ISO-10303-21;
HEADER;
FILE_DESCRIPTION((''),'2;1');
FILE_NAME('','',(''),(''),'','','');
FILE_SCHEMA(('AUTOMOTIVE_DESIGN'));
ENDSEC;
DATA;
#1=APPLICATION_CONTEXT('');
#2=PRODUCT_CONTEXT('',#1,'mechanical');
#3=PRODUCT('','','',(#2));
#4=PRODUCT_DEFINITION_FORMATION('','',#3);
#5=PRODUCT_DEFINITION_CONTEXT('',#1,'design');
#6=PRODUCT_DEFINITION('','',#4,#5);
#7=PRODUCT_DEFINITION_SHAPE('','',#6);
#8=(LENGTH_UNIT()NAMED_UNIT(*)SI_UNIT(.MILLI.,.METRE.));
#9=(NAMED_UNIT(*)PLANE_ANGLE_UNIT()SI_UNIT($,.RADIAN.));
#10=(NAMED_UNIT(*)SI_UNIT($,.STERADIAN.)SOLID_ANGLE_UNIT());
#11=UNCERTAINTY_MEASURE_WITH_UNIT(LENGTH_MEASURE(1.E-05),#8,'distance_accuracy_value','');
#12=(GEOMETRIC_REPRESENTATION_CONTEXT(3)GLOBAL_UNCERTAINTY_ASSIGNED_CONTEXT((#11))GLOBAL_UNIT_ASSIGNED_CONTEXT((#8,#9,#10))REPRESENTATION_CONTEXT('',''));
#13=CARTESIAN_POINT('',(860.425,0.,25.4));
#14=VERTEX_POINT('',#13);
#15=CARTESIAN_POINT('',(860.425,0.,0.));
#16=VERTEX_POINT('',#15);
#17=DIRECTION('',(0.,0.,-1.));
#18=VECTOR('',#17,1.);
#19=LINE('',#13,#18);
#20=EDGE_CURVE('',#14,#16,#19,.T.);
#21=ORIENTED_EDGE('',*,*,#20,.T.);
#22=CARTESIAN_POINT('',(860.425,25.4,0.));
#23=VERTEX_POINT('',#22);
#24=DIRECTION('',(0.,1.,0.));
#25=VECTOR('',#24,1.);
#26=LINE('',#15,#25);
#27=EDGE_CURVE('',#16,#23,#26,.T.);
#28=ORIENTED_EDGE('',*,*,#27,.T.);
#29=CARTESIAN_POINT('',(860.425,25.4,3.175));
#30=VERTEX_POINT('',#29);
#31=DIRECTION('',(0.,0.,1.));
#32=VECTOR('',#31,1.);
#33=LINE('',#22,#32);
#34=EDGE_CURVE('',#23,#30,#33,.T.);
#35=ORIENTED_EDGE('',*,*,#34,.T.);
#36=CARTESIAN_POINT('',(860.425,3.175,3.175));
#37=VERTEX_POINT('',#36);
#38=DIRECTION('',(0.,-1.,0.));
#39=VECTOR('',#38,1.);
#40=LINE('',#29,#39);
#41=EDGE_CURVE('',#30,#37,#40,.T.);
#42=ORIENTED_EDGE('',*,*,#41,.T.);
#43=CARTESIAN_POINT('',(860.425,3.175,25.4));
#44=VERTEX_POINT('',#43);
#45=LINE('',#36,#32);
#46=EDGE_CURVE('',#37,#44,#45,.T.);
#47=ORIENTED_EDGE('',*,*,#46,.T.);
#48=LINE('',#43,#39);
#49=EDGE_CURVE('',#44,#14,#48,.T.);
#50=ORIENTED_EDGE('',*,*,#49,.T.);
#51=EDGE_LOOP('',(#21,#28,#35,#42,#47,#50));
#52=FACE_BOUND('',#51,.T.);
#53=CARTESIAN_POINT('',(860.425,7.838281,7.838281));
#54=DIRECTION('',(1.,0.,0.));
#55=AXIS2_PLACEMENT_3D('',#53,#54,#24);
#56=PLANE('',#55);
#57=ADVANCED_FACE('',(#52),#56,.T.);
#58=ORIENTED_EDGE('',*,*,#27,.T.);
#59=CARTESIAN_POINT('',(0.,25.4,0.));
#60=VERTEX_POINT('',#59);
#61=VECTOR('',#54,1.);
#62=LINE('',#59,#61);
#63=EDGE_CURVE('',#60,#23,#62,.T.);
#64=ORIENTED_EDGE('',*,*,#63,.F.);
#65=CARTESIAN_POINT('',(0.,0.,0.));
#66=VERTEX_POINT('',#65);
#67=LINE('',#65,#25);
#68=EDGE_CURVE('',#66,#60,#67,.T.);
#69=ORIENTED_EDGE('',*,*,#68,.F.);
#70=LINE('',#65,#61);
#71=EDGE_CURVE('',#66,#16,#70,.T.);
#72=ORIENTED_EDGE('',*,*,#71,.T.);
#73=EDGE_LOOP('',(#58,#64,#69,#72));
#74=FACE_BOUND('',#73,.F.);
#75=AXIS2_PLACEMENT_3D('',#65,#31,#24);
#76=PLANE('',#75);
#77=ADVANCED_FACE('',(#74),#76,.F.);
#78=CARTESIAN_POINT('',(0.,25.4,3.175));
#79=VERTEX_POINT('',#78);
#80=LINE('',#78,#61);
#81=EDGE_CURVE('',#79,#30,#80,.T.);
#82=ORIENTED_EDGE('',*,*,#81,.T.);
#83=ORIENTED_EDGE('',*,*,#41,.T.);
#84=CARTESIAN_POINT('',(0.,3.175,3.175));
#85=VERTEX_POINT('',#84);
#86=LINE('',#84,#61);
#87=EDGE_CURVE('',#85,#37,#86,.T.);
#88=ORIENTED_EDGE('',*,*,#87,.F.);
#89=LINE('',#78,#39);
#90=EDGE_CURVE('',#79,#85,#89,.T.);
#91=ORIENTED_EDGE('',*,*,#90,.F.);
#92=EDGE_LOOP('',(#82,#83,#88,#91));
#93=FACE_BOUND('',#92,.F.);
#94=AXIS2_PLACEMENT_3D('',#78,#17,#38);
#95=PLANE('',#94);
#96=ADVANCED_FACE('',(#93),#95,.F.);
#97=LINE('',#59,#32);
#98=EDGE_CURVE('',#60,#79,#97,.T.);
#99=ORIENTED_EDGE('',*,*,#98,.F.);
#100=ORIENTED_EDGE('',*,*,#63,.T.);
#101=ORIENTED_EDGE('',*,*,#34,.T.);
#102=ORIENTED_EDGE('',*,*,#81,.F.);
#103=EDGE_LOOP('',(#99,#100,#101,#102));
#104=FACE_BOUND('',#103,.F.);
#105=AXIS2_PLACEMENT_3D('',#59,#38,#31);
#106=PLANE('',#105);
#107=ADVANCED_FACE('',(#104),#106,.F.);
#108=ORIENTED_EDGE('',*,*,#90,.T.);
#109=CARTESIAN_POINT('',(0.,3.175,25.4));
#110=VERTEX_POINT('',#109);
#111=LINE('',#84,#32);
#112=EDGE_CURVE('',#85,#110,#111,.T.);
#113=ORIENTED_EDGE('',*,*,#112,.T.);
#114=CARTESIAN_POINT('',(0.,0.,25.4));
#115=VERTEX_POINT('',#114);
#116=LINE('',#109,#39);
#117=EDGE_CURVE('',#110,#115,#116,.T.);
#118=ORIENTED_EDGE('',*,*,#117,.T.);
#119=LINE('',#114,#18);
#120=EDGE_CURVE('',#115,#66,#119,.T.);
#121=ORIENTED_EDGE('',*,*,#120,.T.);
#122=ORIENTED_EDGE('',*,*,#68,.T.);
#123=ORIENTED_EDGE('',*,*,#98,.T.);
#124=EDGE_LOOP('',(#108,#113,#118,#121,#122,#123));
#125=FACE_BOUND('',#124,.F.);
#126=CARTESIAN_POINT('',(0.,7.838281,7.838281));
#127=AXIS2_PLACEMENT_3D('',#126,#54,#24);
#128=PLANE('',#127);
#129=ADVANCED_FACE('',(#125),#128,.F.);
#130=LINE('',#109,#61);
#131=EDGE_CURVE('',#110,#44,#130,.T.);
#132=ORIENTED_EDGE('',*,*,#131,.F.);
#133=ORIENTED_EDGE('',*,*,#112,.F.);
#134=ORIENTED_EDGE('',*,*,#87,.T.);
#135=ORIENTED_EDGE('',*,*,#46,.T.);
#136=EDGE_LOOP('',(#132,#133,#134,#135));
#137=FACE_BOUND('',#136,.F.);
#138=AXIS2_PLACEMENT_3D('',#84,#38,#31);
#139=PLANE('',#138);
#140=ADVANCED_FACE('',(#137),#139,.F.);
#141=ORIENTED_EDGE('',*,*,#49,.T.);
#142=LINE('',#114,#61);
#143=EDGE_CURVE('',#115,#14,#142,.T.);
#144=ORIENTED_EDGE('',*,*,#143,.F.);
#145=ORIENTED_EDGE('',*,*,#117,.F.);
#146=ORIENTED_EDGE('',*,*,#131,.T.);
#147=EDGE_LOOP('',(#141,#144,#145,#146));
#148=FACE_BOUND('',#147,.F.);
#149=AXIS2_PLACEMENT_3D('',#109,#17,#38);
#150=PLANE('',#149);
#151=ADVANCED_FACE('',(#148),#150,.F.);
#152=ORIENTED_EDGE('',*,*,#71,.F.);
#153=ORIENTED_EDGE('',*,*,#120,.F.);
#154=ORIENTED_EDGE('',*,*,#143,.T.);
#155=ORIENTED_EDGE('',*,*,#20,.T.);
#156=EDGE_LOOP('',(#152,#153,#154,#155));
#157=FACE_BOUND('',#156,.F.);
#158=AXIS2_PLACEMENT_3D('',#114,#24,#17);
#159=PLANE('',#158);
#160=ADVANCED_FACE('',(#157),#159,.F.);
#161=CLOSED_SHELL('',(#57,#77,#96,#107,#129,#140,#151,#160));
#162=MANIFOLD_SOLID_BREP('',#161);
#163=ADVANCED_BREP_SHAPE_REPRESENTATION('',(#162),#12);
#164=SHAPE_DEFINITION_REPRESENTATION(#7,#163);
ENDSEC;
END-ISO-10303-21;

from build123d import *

# Parameters (mm, degrees)
F1_DEPTH = 860.425


with BuildPart() as f1:
    # F0 (on Right) → F1 (new body)
    with BuildSketch(Plane.YZ):
        Polygon((0, 25.4), (0, 0), (25.4, 0), (25.4, 3.175), (3.175, 3.175), (3.175, 25.4), align=None)
    extrude(amount=F1_DEPTH)


solid = f1.part
